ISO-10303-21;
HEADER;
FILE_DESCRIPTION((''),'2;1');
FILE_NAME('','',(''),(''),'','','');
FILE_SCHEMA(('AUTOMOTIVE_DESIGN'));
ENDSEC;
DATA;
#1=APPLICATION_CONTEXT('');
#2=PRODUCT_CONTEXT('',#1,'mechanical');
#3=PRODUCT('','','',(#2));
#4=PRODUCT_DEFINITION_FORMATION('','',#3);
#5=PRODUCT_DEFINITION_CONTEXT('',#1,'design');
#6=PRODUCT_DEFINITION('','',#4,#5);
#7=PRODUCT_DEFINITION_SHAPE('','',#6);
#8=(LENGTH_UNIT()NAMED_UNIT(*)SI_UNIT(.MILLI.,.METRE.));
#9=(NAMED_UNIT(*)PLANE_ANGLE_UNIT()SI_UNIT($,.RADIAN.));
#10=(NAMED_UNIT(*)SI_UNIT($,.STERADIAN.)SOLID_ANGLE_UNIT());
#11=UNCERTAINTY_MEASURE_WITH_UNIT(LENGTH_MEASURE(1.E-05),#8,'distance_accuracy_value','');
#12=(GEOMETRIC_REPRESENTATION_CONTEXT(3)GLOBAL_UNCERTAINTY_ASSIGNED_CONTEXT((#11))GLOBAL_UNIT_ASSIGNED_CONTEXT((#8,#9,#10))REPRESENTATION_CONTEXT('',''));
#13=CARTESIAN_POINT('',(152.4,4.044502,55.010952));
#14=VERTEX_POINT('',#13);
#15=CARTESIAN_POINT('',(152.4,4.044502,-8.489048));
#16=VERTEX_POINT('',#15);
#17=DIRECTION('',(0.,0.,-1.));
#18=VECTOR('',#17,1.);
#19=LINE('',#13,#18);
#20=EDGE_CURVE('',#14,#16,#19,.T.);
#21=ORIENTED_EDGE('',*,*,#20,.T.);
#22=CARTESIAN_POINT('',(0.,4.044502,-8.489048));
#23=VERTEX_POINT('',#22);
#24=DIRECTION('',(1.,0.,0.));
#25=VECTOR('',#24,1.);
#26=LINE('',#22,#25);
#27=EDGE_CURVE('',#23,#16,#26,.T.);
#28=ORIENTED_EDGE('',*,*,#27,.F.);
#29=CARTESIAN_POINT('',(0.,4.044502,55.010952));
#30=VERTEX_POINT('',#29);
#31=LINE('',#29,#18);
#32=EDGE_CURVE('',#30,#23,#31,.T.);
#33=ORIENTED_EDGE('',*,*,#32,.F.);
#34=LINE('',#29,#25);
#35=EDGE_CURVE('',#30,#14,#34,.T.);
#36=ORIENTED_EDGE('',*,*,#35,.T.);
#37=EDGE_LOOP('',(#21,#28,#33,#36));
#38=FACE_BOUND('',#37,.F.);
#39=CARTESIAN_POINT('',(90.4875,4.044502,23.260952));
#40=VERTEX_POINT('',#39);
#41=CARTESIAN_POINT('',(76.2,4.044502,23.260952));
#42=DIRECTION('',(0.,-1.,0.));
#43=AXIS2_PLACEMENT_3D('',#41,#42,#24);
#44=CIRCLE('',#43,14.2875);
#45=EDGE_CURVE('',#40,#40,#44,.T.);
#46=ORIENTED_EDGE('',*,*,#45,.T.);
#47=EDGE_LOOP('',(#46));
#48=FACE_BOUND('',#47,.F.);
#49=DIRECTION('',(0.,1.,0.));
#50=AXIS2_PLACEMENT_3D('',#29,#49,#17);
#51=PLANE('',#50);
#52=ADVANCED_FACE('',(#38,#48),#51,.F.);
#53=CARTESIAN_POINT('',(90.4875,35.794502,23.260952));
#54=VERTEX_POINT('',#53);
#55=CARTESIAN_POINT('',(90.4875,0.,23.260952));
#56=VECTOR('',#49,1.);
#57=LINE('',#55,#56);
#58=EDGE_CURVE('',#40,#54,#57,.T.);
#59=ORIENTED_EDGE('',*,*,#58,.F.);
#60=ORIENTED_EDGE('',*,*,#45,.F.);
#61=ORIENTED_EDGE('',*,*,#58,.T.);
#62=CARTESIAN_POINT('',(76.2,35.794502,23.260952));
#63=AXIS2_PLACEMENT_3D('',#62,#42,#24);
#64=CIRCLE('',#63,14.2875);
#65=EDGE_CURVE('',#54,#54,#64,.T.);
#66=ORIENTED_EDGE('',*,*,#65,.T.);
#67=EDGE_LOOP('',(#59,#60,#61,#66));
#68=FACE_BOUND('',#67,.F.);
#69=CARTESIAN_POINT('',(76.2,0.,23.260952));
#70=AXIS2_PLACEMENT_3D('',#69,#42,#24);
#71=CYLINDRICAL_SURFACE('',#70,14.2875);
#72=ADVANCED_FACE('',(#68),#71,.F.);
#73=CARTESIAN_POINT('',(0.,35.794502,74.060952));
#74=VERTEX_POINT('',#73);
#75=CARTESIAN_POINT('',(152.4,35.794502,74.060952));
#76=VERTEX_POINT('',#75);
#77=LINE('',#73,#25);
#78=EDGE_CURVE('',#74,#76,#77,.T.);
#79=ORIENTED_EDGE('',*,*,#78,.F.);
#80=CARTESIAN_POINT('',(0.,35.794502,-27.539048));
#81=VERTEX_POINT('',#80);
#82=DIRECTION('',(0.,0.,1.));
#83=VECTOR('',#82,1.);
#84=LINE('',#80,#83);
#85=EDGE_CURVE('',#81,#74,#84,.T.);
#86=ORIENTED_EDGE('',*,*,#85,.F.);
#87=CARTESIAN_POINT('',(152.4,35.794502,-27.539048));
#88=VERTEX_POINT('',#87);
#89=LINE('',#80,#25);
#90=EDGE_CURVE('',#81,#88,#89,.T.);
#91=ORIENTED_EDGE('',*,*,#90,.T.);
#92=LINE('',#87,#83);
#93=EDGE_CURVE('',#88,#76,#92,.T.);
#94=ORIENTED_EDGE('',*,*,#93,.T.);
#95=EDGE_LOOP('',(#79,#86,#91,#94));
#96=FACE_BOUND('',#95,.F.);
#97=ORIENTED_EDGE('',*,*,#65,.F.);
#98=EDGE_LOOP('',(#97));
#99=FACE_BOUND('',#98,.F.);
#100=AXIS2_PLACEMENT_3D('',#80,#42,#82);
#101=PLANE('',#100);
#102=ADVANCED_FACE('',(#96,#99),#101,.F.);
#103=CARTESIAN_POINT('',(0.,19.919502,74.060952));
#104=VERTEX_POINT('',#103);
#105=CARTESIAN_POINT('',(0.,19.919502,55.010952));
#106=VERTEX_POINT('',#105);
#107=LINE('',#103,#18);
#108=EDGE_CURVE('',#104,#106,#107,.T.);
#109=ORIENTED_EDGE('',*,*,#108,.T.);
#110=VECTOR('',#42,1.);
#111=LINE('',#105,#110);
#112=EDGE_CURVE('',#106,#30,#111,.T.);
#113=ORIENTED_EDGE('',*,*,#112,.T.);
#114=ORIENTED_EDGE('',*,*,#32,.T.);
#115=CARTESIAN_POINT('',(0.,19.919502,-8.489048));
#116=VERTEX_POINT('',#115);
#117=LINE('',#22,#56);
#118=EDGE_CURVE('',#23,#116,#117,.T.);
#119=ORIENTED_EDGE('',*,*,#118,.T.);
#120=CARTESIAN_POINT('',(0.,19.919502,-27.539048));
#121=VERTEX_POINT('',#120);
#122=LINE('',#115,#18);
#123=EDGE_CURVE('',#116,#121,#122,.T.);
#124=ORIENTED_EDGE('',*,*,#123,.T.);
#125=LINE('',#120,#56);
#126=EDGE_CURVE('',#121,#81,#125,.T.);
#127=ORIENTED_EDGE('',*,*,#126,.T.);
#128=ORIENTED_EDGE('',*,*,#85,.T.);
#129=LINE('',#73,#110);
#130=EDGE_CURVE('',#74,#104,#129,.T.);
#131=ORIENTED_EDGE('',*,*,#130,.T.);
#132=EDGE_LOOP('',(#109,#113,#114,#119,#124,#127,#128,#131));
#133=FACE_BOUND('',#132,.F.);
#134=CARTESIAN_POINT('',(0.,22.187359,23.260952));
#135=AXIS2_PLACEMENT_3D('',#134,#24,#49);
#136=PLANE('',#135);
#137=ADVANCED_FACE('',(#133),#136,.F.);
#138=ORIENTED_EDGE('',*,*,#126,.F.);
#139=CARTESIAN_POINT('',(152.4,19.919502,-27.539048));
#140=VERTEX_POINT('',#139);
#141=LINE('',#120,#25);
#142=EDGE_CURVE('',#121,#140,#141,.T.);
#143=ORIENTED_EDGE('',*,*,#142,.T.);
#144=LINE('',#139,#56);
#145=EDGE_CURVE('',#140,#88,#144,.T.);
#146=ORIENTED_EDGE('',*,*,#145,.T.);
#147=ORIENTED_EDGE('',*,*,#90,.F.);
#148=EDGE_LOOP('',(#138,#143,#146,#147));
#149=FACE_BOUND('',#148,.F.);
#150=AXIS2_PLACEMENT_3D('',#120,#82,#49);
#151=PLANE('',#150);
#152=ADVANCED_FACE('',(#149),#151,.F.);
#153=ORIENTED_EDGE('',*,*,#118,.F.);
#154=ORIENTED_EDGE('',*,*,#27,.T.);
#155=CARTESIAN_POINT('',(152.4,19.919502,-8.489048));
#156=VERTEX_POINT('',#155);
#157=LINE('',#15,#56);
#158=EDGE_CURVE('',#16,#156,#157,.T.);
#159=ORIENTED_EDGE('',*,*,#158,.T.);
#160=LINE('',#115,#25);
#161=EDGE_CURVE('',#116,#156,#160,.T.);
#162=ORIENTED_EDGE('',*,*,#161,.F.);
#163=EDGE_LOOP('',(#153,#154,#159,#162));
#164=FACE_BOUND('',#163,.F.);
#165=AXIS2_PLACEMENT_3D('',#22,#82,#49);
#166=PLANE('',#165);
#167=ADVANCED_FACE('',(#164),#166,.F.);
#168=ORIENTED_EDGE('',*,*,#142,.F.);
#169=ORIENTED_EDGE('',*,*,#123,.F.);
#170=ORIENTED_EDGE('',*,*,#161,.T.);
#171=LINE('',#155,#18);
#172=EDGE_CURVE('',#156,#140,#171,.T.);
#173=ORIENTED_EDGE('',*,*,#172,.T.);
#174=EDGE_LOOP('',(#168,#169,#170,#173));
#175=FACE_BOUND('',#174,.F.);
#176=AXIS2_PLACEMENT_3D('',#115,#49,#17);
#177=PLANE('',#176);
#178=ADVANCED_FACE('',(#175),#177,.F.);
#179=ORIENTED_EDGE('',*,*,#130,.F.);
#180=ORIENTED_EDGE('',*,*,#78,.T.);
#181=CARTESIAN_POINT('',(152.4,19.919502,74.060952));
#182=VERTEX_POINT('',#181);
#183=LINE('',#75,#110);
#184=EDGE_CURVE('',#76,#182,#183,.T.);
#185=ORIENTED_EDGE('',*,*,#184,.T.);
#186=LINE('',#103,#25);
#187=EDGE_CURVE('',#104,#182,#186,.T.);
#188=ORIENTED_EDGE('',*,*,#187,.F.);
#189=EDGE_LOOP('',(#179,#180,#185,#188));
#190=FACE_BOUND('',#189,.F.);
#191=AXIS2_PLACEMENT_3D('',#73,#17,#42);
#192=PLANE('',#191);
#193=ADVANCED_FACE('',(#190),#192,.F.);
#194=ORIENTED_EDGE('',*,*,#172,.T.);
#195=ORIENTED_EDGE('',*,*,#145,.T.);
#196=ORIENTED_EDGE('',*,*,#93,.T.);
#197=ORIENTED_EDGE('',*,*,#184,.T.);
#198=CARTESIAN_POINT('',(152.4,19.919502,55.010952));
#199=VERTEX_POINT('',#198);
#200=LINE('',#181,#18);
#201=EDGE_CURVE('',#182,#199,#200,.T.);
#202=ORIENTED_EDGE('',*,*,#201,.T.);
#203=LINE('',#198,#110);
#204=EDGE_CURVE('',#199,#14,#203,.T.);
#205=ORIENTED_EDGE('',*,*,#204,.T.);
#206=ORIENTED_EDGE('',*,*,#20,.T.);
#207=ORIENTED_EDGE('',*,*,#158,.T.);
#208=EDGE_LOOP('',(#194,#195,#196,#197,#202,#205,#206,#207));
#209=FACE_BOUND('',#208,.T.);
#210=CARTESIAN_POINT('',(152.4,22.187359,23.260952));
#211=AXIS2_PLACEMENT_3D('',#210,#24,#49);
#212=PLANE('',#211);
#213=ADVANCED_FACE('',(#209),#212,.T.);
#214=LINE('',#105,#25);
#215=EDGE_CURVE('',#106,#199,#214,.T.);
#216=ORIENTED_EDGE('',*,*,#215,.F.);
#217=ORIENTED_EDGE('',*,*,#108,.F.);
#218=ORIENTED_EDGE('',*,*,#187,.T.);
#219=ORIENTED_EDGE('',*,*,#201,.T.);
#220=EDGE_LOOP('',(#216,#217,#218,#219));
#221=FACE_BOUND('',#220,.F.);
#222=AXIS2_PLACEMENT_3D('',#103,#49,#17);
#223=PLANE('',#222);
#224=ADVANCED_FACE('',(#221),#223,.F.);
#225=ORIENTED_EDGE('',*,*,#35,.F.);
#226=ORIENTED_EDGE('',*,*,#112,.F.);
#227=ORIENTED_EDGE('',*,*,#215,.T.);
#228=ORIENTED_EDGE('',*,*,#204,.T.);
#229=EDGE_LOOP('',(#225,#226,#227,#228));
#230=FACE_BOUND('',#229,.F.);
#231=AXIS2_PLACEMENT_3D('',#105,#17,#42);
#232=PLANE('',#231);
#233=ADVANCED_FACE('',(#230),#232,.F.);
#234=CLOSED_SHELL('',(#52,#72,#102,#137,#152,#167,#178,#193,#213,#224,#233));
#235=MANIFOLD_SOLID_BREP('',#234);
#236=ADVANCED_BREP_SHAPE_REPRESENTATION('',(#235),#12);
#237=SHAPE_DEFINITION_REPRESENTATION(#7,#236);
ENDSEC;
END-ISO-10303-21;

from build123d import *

# Parameters (mm, degrees)
F1_DEPTH = 152.4
F2_R     = 14.2875
F3_DEPTH = 35.795502


with BuildPart() as f1:
    # F0 (on Right) → F1 (new body)
    with BuildSketch(Plane.YZ):
        Polygon((35.794502, -27.539048), (35.794502, 74.060952), (19.919502, 74.060952), (19.919502, 55.010952), (4.044502, 55.010952), (4.044502, -8.489048), (19.919502, -8.489048), (19.919502, -27.539048), align=None)
    extrude(amount=F1_DEPTH)

    # F2 (on Front) → F3 (cut, through all)
    with BuildSketch(Plane.XZ):
        with Locations((76.2, 23.260952)):
            Circle(F2_R)
    extrude(amount=-F3_DEPTH, mode=Mode.SUBTRACT)


solid = f1.part
